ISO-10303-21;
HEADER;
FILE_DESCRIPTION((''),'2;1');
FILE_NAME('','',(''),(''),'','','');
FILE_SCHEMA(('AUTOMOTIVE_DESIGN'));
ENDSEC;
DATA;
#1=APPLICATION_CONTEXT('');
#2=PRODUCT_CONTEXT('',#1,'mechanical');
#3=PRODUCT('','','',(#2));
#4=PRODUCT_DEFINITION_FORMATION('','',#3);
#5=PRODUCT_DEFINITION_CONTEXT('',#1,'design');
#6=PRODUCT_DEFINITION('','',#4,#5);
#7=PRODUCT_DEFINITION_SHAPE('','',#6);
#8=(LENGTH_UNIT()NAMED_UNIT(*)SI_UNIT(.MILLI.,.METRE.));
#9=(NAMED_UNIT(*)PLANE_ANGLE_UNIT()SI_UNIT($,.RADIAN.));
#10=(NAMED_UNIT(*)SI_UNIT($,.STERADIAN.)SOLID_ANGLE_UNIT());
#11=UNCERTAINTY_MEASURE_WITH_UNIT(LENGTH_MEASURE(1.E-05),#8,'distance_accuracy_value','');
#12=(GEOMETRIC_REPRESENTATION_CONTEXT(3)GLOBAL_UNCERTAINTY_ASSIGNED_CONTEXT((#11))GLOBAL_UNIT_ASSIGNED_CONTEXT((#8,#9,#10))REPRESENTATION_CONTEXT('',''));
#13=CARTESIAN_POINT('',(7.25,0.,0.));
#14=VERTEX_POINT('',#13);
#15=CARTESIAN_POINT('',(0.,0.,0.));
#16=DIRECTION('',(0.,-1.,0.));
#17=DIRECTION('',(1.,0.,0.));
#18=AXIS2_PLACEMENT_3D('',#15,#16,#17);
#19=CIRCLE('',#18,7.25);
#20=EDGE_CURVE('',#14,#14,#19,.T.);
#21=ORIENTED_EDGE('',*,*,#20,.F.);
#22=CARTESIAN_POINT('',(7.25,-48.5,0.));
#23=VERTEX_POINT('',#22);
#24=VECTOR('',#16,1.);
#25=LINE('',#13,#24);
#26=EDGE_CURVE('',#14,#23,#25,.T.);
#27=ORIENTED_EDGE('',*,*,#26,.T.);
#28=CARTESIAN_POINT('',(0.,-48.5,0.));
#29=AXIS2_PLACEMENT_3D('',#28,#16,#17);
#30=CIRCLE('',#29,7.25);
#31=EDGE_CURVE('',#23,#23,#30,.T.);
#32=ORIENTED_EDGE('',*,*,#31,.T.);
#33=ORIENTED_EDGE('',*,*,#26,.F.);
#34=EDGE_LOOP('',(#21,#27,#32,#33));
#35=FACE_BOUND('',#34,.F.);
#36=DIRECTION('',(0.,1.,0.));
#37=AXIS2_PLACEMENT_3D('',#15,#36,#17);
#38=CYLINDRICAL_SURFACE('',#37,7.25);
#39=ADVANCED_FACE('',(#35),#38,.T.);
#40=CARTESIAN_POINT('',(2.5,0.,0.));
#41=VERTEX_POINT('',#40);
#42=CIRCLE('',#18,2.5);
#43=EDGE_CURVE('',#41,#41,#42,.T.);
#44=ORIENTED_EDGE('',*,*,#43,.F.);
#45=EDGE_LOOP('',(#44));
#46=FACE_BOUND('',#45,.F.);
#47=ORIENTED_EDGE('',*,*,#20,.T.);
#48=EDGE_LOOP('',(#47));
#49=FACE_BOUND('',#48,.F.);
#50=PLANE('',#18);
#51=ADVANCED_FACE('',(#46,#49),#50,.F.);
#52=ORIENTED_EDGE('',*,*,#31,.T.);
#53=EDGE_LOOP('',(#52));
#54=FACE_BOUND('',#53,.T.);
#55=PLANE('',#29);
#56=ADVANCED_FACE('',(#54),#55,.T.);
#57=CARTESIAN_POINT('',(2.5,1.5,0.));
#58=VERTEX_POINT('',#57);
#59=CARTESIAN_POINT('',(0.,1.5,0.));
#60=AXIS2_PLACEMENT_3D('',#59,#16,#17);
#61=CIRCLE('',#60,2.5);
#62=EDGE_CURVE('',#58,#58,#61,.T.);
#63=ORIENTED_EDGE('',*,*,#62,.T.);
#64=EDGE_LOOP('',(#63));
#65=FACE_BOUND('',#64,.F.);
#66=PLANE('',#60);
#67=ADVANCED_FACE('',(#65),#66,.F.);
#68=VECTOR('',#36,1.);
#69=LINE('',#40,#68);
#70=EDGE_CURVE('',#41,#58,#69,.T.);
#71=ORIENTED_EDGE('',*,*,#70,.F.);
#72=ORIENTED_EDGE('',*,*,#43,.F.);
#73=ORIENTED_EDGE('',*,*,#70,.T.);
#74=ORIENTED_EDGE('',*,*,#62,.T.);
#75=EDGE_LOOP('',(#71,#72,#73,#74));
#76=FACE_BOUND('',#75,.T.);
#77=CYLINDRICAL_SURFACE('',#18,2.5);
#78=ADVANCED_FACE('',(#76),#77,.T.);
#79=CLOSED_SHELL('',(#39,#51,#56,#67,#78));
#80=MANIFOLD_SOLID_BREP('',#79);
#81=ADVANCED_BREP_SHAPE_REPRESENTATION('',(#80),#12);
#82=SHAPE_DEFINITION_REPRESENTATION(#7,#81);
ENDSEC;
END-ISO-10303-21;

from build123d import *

# Parameters (mm, degrees)
F0_R     = 7.25
F1_DEPTH = 48.5
F2_R     = 2.5
F3_DEPTH = 1.5


with BuildPart() as f1:
    # F0 (on Front) → F1 (new body)
    with BuildSketch(Plane.XZ):
        Circle(F0_R)
    extrude(amount=F1_DEPTH)

    # F2 (on face) → F3 (join)
    with BuildSketch(Plane.XZ):
        Circle(F2_R)
    extrude(amount=-F3_DEPTH)


solid = f1.part
